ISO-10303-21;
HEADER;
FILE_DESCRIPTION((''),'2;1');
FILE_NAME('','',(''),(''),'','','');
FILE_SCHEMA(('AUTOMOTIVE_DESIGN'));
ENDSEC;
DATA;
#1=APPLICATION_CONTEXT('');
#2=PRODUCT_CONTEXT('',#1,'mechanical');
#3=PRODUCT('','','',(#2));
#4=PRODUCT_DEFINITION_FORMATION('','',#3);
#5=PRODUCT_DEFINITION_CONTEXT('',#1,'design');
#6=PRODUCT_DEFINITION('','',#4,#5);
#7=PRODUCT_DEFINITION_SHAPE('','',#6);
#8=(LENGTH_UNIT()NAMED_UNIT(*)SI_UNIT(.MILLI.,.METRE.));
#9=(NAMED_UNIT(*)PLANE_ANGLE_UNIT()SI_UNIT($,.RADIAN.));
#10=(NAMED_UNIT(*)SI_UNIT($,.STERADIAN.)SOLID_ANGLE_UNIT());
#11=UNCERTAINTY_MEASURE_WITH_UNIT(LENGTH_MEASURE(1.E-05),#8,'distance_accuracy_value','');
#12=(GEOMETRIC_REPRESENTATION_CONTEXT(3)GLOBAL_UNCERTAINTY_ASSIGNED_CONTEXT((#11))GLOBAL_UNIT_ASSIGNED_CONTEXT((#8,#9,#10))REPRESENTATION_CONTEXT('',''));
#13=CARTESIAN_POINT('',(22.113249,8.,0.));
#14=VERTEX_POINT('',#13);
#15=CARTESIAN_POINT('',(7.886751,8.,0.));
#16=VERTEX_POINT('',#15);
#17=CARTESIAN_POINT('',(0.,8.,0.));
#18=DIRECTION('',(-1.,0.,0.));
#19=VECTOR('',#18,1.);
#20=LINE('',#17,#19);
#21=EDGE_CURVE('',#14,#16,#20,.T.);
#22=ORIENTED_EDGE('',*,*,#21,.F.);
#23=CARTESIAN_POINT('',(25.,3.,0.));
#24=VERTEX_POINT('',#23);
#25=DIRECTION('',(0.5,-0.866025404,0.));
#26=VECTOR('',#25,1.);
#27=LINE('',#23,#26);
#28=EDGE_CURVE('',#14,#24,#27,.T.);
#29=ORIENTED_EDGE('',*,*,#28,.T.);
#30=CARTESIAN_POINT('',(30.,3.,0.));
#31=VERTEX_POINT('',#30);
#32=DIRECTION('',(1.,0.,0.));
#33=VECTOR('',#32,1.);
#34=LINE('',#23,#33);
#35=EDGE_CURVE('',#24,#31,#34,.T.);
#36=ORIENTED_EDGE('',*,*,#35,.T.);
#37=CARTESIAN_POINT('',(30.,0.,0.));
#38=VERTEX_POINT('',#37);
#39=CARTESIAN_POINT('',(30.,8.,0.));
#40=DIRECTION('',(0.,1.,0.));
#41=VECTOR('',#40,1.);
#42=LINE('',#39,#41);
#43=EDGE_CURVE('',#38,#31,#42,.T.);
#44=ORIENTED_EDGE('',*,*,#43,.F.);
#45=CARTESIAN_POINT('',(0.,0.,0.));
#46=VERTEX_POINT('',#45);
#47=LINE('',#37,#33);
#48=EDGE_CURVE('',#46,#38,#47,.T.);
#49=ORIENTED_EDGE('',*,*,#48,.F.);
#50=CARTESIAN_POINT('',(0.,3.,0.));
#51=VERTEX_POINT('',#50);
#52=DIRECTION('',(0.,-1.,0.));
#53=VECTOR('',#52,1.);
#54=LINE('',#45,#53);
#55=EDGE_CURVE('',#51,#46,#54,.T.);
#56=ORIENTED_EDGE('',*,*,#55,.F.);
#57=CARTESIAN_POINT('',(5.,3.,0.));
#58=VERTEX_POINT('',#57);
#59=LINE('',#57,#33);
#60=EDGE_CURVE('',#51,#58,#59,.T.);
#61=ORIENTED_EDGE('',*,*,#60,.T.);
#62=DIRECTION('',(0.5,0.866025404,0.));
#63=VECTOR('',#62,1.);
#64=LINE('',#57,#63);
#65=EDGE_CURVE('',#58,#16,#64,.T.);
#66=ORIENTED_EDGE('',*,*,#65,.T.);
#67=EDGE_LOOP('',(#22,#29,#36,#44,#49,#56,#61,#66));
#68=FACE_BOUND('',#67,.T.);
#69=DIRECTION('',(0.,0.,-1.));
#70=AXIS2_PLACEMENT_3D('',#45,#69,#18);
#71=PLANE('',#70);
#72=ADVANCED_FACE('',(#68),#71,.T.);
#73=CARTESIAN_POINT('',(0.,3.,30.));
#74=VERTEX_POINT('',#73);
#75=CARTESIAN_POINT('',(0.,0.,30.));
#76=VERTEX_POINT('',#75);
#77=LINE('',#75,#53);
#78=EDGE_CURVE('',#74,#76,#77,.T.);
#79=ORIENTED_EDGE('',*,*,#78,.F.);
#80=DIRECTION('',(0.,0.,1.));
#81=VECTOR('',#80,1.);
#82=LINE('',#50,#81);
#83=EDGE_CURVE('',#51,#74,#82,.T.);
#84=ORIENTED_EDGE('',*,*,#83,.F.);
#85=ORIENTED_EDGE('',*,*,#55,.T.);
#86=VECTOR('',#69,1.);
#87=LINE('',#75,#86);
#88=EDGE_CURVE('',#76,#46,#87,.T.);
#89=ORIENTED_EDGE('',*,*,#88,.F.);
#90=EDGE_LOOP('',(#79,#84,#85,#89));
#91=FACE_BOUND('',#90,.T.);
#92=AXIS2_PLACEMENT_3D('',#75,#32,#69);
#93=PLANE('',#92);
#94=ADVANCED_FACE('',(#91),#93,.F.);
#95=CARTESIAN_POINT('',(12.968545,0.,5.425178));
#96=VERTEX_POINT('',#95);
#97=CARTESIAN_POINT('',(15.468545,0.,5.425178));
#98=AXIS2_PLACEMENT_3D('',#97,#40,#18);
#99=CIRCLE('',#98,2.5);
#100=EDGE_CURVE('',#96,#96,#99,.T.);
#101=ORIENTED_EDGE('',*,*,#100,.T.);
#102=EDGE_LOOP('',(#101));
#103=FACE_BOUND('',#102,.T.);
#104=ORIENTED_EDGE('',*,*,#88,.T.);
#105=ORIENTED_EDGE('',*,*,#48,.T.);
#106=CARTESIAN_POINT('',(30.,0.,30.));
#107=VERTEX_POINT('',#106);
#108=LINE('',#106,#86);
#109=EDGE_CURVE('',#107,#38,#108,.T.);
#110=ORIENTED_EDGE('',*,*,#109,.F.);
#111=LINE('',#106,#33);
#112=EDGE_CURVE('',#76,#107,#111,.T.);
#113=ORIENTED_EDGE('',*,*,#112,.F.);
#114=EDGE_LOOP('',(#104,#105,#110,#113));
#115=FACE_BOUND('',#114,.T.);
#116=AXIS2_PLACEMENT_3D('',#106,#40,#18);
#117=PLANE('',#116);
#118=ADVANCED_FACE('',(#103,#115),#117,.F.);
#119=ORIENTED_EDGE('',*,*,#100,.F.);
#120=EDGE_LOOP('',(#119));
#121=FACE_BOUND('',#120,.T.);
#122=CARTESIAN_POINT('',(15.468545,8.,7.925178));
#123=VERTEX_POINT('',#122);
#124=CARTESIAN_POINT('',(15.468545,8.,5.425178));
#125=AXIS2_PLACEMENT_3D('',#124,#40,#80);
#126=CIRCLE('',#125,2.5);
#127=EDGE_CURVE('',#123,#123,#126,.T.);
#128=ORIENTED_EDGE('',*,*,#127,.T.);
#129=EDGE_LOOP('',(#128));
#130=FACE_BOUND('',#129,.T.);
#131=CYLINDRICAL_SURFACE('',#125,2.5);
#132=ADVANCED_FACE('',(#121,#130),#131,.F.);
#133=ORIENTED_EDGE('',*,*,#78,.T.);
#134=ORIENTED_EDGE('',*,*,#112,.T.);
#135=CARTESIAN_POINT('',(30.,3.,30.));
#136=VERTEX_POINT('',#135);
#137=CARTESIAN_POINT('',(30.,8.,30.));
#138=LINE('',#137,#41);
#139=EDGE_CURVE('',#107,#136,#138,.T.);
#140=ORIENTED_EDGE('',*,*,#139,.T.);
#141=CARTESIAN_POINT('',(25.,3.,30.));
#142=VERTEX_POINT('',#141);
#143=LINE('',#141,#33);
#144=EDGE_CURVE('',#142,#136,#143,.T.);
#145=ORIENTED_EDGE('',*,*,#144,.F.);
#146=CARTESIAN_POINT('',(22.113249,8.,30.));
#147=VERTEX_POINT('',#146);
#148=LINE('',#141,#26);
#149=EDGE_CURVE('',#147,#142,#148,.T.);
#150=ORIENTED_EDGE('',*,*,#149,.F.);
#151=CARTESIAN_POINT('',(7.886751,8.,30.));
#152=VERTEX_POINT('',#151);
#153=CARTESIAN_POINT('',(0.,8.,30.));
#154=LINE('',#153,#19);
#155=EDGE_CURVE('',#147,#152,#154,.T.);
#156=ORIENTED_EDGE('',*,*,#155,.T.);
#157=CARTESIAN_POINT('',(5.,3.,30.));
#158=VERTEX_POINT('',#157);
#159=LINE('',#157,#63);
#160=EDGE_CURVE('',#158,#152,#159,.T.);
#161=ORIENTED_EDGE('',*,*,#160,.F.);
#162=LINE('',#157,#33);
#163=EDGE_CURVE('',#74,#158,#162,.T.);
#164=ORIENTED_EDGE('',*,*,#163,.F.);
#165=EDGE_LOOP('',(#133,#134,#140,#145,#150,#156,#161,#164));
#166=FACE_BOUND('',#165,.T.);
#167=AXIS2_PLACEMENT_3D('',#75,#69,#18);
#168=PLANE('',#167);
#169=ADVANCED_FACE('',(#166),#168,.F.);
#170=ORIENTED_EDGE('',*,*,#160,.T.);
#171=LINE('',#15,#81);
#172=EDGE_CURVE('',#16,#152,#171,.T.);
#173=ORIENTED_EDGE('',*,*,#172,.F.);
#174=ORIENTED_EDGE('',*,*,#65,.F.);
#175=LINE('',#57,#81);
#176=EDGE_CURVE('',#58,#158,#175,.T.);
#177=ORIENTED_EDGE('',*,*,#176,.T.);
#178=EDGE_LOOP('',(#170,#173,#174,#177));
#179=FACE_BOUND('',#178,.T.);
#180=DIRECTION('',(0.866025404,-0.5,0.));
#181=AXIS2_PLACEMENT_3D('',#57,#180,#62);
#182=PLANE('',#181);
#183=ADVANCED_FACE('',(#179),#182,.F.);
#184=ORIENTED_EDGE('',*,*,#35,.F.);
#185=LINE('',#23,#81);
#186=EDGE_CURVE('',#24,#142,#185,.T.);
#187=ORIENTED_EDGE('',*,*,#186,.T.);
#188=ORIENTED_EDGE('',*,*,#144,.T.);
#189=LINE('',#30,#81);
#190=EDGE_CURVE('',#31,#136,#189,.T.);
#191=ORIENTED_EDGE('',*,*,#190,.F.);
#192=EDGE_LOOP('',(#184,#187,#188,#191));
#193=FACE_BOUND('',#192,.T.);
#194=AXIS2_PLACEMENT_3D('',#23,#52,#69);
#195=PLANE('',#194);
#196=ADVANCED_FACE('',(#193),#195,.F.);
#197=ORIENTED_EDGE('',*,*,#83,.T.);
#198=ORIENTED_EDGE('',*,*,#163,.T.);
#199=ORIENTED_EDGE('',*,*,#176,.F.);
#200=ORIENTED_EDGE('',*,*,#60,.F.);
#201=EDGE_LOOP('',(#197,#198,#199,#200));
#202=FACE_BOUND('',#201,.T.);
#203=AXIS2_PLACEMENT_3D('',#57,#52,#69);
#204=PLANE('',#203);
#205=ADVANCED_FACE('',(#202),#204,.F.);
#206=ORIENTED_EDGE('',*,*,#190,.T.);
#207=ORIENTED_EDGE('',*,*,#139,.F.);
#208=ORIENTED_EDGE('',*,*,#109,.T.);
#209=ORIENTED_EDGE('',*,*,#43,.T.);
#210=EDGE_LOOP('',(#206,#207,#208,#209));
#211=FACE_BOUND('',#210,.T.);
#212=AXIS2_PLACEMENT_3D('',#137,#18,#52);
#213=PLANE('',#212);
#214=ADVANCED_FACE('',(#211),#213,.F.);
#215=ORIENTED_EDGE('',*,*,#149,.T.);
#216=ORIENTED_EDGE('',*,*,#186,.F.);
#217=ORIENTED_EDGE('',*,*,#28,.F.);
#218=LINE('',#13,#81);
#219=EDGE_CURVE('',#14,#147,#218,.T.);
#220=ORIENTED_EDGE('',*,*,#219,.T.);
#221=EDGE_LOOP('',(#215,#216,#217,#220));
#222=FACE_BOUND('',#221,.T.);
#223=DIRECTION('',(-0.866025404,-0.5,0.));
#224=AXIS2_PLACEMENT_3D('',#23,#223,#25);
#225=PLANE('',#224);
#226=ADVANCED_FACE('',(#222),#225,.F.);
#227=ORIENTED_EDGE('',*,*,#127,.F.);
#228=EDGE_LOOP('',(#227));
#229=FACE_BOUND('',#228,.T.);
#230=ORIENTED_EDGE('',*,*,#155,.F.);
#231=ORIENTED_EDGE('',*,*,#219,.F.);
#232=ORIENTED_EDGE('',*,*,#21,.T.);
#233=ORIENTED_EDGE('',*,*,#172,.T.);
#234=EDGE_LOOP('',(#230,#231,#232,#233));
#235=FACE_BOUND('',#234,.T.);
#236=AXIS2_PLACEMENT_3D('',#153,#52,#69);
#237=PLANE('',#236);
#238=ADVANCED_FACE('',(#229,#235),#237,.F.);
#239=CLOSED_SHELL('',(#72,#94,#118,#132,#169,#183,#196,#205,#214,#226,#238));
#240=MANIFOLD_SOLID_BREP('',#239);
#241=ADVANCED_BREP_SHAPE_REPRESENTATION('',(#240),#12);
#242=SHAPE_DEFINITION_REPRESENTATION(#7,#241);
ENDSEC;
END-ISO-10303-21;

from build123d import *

# Parameters (mm, degrees)
SKETCH_1_W          = 30
SKETCH_1_H          = 8
EXTRUDE_1_DEPTH     = 30
CUT_EXTRUDE_2_DEPTH = 44.17406629
M6X1_01_D           = 5
M6X1_01_DEPTH       = 17
M6X1_01_TIP         = 1.502151548


with BuildPart() as part:
    # Эскиз1 → Бобышка-Вытянуть1 (new body)
    with BuildSketch(Plane.XY):
        with Locations((15, 4)):
            Rectangle(SKETCH_1_W, SKETCH_1_H)
    extrude(amount=EXTRUDE_1_DEPTH)

    # Эскиз3 → Вырез-Вытянуть2 (cut, through all)
    with BuildSketch(Plane.XY.offset(30)):
        Polygon((5, 3), (7.886751346, 8), (5, 8), (0, 8), (0, 3), align=None)
        Polygon((25, 3), (30, 3), (30, 8), (25, 8), (22.113248654, 8), align=None)
    extrude(amount=-CUT_EXTRUDE_2_DEPTH, mode=Mode.SUBTRACT)

    # Отверстие обработанное метчиком M6x1.01
    with Locations(Plane(origin=(0, 8, 0), x_dir=(1, 0, 0), z_dir=(0, 1, 0))):
        with Locations((15.468545431, -5.425177516)):
            Hole(M6X1_01_D / 2, depth=M6X1_01_DEPTH)
            with Locations((0, 0, -(M6X1_01_DEPTH + M6X1_01_TIP / 2))):  # 118° drill point
                Cone(0, M6X1_01_D / 2, M6X1_01_TIP, mode=Mode.SUBTRACT)


solid = part.part
